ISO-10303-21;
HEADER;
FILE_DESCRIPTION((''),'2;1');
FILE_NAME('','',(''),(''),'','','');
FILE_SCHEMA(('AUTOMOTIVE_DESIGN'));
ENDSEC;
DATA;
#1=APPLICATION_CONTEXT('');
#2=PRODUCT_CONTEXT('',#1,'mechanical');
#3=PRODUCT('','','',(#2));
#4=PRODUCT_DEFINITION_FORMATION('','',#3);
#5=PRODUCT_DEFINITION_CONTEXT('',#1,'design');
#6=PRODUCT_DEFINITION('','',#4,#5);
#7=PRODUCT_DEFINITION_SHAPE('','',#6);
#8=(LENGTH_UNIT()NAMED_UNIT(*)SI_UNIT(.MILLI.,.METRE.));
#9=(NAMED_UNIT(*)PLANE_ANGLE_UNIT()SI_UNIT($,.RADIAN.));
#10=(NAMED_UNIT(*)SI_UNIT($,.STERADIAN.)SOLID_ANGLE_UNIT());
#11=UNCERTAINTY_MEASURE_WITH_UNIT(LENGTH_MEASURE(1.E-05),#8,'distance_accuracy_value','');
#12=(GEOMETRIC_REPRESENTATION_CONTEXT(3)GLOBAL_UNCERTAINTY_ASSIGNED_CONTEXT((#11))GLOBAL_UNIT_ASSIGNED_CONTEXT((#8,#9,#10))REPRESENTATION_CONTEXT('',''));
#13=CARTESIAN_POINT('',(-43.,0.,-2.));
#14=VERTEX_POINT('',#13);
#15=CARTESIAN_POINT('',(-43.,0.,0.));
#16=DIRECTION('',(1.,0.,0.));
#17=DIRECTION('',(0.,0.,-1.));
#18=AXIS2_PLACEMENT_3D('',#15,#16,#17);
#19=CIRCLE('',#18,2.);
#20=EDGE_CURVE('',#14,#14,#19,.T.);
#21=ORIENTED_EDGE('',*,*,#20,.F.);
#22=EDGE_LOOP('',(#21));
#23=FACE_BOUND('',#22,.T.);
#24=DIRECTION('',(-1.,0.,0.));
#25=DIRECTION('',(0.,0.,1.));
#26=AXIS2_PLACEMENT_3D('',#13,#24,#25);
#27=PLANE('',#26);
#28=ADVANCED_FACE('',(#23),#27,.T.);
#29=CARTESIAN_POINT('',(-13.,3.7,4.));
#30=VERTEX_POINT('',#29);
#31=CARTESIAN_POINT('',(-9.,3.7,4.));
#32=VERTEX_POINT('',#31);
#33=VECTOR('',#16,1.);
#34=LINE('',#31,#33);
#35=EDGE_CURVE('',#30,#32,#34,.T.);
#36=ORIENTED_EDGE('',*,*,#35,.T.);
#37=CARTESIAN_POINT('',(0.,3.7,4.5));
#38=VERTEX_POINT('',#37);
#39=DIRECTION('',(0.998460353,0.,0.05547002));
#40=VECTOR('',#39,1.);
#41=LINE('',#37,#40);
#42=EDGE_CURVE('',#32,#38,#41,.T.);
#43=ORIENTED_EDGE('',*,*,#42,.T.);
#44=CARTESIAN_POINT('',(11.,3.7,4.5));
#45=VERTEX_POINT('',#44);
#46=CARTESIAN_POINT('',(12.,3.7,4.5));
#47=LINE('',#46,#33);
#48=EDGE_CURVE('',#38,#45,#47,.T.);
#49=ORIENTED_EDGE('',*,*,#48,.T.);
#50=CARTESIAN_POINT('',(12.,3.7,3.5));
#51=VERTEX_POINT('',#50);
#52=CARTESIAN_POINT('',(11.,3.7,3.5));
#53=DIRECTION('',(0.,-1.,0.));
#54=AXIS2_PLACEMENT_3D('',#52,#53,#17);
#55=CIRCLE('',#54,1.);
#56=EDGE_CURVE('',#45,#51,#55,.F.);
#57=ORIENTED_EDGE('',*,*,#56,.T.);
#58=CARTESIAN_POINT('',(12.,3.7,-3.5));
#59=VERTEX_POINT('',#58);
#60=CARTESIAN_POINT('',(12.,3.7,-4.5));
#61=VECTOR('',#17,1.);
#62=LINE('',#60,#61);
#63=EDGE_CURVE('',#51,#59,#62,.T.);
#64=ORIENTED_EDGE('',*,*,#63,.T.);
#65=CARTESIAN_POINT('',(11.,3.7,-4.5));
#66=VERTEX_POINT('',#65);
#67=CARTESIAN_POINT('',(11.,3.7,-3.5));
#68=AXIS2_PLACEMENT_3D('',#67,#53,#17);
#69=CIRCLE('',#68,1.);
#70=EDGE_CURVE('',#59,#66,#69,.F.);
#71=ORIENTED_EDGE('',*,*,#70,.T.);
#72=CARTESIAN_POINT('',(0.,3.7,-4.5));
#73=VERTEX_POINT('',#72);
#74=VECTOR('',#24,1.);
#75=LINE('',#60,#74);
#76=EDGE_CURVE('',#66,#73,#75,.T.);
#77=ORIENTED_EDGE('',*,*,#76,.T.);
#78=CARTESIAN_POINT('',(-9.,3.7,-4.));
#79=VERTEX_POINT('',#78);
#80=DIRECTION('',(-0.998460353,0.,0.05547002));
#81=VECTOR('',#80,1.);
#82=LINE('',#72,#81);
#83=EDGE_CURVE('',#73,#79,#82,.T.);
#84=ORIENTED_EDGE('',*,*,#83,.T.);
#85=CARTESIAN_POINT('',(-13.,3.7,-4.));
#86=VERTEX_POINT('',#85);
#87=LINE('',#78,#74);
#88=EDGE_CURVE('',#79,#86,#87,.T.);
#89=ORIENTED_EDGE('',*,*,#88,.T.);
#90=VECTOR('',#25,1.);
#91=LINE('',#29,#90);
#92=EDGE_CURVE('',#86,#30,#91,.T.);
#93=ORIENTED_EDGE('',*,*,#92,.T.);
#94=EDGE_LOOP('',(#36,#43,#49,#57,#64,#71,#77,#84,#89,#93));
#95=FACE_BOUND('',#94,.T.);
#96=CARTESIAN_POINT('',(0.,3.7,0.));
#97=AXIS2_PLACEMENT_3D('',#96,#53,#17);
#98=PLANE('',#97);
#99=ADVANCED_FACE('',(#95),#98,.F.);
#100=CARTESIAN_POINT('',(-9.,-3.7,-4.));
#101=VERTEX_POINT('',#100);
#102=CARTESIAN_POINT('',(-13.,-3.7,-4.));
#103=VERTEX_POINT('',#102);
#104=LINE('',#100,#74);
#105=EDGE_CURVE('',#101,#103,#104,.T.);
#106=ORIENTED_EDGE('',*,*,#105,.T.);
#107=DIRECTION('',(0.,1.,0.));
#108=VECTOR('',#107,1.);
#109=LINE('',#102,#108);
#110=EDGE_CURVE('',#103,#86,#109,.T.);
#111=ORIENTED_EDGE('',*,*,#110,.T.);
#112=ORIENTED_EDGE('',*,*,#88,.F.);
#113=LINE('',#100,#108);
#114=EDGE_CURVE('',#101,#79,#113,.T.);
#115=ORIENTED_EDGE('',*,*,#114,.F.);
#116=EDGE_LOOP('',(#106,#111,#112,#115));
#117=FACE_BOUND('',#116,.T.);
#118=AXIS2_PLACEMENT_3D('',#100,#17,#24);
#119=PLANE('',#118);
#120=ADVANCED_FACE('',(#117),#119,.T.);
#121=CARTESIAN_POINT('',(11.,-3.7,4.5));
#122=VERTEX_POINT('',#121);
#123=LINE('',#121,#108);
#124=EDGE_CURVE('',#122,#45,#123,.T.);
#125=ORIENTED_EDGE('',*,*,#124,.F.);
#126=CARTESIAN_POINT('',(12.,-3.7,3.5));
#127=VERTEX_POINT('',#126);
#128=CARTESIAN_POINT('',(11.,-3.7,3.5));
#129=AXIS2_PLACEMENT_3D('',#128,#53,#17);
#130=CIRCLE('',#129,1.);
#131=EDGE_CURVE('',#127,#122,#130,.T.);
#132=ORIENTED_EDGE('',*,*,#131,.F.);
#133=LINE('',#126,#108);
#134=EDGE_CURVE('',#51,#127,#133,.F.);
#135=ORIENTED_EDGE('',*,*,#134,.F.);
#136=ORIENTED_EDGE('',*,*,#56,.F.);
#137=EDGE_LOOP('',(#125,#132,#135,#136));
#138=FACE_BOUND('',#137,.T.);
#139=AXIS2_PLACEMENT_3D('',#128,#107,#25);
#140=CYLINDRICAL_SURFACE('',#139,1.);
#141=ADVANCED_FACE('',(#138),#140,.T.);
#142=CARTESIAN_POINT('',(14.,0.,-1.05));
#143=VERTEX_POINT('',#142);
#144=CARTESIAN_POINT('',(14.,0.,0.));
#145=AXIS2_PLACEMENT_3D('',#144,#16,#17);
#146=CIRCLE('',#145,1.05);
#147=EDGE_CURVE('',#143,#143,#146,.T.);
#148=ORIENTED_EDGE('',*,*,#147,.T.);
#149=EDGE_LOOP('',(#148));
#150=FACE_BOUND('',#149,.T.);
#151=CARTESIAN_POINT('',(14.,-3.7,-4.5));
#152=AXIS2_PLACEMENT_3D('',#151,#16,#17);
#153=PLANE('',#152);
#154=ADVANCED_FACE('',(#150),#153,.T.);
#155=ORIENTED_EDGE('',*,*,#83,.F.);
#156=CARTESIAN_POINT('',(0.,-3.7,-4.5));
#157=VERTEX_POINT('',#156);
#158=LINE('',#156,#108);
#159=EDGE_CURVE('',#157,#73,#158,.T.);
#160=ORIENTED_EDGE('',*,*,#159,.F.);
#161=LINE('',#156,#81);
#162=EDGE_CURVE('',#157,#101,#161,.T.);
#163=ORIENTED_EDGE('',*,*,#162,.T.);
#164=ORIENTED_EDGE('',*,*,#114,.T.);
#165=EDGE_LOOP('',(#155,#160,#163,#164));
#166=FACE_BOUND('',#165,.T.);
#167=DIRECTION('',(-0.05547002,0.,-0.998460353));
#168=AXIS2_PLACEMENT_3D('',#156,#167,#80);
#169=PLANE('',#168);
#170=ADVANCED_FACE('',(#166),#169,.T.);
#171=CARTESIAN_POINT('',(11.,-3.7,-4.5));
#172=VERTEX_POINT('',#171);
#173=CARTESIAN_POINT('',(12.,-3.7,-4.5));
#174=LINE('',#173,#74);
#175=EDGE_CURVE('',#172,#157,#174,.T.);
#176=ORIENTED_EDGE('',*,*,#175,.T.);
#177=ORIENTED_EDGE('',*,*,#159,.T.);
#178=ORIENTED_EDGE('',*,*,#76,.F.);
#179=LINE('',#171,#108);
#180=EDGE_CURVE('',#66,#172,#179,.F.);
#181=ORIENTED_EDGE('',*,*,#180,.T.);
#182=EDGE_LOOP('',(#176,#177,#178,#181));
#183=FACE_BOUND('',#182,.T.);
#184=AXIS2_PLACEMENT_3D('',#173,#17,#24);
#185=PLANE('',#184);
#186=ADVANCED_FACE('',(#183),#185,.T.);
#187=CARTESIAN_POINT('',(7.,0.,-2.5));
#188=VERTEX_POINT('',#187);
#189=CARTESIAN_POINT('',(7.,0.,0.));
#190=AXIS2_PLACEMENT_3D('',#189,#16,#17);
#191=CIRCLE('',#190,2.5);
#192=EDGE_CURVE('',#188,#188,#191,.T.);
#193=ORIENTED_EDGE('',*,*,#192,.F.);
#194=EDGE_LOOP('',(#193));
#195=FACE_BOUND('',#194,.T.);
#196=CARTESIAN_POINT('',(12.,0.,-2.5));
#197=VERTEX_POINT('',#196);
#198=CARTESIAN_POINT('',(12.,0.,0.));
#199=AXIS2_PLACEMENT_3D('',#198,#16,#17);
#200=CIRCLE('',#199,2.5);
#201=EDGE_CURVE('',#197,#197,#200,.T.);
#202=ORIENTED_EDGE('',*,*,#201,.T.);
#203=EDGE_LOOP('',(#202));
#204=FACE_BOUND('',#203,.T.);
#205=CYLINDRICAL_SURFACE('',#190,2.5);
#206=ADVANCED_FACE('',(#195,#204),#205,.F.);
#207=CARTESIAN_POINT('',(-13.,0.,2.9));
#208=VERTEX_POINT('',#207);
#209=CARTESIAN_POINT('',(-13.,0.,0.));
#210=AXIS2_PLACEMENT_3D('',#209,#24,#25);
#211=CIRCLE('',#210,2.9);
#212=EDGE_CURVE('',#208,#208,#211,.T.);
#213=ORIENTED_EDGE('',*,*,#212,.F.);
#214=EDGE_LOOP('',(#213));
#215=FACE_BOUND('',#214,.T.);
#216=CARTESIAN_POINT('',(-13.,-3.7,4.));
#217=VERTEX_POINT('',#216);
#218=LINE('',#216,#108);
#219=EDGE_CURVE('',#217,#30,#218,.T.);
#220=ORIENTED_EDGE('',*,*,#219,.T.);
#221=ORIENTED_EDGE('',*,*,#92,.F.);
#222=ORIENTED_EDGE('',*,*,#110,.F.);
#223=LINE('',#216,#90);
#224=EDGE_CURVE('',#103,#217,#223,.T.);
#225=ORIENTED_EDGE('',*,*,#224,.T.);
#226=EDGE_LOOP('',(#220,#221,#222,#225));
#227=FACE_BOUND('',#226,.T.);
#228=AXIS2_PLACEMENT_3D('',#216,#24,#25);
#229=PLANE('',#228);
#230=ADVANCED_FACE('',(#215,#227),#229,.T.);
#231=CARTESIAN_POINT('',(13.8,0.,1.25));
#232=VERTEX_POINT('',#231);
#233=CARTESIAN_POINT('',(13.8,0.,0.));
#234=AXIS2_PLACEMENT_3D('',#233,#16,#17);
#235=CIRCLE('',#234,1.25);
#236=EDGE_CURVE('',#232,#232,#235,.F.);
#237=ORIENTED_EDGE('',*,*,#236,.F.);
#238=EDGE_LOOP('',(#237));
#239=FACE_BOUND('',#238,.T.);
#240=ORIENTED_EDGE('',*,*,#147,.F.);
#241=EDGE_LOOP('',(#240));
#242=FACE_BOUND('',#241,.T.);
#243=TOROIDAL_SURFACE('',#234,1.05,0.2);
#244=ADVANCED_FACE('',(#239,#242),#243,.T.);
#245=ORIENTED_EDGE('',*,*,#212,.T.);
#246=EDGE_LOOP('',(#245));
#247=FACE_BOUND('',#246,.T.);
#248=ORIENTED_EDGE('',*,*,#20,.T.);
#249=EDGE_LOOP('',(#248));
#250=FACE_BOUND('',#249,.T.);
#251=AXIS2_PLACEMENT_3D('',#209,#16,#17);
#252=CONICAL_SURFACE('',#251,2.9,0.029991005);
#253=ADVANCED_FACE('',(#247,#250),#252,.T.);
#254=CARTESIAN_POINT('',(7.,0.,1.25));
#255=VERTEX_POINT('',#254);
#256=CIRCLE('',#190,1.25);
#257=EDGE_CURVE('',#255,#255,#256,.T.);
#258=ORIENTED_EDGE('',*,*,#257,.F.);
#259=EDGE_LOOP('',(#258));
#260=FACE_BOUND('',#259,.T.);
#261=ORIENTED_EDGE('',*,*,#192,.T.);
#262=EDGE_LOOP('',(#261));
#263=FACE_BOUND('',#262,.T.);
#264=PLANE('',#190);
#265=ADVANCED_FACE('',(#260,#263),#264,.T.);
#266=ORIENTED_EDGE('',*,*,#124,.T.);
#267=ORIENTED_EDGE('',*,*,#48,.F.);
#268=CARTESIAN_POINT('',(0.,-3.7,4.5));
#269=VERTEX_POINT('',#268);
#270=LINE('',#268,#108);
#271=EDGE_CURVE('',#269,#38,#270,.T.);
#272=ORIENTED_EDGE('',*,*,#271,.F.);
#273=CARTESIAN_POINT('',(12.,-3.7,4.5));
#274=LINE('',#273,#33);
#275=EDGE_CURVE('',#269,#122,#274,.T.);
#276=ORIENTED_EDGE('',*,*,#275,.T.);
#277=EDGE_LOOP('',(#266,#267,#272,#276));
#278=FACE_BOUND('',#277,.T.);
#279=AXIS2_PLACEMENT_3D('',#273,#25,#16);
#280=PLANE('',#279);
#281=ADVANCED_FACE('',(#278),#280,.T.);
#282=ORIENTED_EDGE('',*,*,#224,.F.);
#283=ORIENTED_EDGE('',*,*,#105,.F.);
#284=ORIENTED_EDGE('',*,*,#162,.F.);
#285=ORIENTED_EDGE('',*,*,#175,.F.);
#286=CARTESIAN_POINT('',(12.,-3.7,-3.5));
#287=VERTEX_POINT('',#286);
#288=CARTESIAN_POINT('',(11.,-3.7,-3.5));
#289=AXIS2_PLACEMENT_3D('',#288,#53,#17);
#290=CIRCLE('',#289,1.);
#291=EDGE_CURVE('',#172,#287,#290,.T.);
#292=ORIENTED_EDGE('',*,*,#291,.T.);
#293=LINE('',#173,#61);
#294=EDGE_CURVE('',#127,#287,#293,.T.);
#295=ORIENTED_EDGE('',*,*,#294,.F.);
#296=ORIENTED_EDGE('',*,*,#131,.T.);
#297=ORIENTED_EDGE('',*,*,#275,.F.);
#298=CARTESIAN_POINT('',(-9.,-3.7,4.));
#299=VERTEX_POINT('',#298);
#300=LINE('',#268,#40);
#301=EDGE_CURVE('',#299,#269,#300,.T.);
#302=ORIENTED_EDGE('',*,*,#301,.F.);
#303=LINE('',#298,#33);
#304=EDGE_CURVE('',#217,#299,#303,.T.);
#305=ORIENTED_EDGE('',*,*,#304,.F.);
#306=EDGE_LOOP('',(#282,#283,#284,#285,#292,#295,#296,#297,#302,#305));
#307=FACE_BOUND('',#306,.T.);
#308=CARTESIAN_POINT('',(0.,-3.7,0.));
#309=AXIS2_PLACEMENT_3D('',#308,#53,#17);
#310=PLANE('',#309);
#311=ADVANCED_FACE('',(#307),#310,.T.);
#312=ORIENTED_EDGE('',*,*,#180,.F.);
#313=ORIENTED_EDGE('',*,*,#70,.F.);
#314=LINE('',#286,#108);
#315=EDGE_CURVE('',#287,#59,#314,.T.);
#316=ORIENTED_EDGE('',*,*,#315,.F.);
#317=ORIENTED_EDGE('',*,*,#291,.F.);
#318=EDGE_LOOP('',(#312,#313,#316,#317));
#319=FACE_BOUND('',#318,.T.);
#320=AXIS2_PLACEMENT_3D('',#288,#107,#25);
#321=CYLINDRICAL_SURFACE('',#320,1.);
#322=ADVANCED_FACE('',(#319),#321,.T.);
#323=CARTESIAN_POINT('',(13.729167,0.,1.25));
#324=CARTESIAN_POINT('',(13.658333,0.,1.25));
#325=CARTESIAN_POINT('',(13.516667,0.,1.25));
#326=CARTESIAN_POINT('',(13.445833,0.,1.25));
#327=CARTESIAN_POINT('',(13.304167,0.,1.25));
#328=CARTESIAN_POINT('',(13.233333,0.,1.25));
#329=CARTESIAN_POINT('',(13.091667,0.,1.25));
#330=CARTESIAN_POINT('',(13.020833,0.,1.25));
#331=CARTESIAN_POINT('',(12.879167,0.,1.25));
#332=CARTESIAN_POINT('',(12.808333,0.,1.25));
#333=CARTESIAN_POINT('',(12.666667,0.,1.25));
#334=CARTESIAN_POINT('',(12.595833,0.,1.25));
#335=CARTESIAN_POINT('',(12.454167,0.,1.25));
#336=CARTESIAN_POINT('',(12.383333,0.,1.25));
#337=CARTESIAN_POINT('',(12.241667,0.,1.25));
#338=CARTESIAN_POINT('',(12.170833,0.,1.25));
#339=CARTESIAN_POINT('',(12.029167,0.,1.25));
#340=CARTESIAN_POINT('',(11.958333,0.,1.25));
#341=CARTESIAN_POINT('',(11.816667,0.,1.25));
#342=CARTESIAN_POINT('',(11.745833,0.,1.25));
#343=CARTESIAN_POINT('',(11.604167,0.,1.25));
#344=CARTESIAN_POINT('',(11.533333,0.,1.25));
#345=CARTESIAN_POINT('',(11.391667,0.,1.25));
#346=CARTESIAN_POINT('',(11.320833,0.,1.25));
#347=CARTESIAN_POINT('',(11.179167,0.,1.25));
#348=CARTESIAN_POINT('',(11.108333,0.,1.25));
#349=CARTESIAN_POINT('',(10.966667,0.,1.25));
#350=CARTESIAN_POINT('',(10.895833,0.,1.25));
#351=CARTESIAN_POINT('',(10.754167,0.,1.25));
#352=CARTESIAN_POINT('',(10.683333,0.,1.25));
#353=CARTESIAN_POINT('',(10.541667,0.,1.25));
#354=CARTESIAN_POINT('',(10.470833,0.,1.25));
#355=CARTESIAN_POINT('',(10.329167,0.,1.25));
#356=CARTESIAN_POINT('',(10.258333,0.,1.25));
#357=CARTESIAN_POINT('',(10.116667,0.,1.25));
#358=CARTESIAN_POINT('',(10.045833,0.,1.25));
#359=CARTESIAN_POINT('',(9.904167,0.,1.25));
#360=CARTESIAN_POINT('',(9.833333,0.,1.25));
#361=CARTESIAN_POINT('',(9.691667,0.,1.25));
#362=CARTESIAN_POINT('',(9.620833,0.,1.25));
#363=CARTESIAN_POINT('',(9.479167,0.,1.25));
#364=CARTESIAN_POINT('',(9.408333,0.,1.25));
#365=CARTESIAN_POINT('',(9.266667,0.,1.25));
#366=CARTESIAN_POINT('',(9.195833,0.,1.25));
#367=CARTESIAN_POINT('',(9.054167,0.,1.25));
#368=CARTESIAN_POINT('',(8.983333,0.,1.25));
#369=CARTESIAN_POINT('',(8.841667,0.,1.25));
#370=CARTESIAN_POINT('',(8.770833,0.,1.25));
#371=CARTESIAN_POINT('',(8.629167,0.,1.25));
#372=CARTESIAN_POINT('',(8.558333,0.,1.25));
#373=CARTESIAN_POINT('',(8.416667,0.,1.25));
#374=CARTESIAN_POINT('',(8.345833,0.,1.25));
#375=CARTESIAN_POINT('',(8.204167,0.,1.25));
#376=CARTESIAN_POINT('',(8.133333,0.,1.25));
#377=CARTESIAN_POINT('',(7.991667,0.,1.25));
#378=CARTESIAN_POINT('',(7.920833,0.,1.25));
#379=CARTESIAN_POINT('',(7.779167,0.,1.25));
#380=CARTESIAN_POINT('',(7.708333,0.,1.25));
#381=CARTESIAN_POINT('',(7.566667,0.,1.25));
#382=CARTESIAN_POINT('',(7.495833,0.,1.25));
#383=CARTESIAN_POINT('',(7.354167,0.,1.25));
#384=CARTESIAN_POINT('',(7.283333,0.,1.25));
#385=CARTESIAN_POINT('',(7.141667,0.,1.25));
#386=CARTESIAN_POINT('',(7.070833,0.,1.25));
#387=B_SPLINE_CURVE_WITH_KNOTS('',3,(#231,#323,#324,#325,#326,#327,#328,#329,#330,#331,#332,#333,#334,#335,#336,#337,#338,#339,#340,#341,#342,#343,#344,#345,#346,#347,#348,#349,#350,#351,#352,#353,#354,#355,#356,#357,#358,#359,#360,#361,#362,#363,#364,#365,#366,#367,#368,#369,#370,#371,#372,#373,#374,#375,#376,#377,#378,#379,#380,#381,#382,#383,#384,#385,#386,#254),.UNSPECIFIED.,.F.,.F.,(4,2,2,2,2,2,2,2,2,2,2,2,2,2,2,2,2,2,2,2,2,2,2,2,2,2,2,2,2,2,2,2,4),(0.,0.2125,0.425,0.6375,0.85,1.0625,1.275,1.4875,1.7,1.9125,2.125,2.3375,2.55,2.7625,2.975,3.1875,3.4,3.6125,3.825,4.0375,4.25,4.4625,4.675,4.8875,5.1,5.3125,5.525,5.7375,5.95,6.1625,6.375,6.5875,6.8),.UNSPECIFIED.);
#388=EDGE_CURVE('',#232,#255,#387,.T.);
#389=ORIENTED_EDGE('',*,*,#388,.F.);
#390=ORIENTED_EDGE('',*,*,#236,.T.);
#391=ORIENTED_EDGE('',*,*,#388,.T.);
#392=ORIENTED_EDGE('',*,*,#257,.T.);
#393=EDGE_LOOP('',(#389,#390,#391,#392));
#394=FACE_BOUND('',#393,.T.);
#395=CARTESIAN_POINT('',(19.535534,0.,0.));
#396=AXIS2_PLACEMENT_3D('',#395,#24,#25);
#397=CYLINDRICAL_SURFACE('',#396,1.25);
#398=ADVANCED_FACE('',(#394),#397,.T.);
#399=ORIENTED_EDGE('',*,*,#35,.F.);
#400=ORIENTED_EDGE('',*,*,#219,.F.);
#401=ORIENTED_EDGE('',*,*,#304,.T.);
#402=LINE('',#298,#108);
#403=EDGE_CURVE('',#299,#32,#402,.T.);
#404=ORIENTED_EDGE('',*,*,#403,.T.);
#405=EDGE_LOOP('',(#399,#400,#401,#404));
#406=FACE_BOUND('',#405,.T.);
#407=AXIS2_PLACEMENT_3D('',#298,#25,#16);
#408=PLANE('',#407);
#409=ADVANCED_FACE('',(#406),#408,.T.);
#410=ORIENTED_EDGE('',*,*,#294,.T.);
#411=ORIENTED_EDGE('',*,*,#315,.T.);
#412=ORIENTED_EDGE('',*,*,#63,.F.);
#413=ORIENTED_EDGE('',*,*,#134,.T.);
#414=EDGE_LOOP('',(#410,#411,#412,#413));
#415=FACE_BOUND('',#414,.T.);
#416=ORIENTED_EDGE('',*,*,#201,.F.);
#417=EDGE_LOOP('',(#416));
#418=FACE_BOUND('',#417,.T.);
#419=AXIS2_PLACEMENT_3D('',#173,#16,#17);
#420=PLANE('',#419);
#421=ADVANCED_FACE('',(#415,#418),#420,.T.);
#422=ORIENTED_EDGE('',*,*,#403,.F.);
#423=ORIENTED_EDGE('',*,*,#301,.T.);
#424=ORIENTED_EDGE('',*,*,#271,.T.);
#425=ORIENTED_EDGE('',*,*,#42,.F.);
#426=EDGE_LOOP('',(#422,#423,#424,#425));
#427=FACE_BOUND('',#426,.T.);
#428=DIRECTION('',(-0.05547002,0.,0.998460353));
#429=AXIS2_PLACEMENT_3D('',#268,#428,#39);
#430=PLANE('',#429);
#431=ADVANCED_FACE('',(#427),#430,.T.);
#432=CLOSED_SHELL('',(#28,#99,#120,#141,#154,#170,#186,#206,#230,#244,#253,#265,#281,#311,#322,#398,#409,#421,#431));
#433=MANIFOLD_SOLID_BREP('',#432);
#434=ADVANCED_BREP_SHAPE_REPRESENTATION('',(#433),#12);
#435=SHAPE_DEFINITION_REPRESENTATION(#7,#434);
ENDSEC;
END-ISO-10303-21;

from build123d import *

# Parameters (mm, degrees)
EXTRUDE_1_DEPTH      = 3.7
EXTRUDE_1_DEPTH_BACK = 3.7
SKETCH_3_R           = 2.5
CUT_EXTRUDE_1_DEPTH  = 5
SKETCH_4_R           = 1.25
EXTRUDE_2_DEPTH      = 7
FILLET_1_R           = 1
FILLET_2_R           = 0.2


with BuildPart() as part:
    # 草图2 → 凸台-拉伸1 (new, two sides: drawn at the far end of the back side and taken through both)
    with BuildSketch(Plane(origin=(0, 0, 0), x_dir=(1, 0, 0), z_dir=(0, 1, 0)).offset(-EXTRUDE_1_DEPTH_BACK)):
        Polygon((12, 4.5), (12, -4.5), (0, -4.5), (-9, -4), (-13, -4), (-13, 4), (-9, 4), (0, 4.5), align=None)
    extrude(amount=EXTRUDE_1_DEPTH + EXTRUDE_1_DEPTH_BACK)

    # 草图3 → 切除-拉伸1 (cut)
    with BuildSketch(Plane(origin=(12, 0, 0), x_dir=(0, 0, -1), z_dir=(1, 0, 0))):
        Circle(SKETCH_3_R)
    extrude(amount=-CUT_EXTRUDE_1_DEPTH, mode=Mode.SUBTRACT)

    # 草图4 → 凸台-拉伸2 (add)
    with BuildSketch(Plane(origin=(7, 0, 0), x_dir=(0, 0, -1), z_dir=(1, 0, 0))):
        with Locations(Location((0, 0, 0), (0, 0, 180))):
            Circle(SKETCH_4_R)
    extrude(amount=EXTRUDE_2_DEPTH)

    # 圆角1
    fillet_1_edges = [part.edges().sort_by_distance(p)[0] for p in [
        (12, 0, -4.5),
        (12, 0, 4.5),
    ]]
    fillet(fillet_1_edges, radius=FILLET_1_R)

    # 圆角2
    fillet_2_edges = [part.edges().sort_by_distance(p)[0] for p in [
        (14, 0, -1.25),
    ]]
    fillet(fillet_2_edges, radius=FILLET_2_R)

    # 草图5 → 旋转1 (revolve)
    with BuildSketch(Plane(origin=(0, 0, 0), x_dir=(1, 0, 0), z_dir=(0, 1, 0))):
        Polygon((-13, 2.9), (-43, 2), (-43, 0), (-13, 0), align=None)
    revolve(axis=Axis((5.484305881, 0, 0), (-1, 0, 0)))


solid = part.part
